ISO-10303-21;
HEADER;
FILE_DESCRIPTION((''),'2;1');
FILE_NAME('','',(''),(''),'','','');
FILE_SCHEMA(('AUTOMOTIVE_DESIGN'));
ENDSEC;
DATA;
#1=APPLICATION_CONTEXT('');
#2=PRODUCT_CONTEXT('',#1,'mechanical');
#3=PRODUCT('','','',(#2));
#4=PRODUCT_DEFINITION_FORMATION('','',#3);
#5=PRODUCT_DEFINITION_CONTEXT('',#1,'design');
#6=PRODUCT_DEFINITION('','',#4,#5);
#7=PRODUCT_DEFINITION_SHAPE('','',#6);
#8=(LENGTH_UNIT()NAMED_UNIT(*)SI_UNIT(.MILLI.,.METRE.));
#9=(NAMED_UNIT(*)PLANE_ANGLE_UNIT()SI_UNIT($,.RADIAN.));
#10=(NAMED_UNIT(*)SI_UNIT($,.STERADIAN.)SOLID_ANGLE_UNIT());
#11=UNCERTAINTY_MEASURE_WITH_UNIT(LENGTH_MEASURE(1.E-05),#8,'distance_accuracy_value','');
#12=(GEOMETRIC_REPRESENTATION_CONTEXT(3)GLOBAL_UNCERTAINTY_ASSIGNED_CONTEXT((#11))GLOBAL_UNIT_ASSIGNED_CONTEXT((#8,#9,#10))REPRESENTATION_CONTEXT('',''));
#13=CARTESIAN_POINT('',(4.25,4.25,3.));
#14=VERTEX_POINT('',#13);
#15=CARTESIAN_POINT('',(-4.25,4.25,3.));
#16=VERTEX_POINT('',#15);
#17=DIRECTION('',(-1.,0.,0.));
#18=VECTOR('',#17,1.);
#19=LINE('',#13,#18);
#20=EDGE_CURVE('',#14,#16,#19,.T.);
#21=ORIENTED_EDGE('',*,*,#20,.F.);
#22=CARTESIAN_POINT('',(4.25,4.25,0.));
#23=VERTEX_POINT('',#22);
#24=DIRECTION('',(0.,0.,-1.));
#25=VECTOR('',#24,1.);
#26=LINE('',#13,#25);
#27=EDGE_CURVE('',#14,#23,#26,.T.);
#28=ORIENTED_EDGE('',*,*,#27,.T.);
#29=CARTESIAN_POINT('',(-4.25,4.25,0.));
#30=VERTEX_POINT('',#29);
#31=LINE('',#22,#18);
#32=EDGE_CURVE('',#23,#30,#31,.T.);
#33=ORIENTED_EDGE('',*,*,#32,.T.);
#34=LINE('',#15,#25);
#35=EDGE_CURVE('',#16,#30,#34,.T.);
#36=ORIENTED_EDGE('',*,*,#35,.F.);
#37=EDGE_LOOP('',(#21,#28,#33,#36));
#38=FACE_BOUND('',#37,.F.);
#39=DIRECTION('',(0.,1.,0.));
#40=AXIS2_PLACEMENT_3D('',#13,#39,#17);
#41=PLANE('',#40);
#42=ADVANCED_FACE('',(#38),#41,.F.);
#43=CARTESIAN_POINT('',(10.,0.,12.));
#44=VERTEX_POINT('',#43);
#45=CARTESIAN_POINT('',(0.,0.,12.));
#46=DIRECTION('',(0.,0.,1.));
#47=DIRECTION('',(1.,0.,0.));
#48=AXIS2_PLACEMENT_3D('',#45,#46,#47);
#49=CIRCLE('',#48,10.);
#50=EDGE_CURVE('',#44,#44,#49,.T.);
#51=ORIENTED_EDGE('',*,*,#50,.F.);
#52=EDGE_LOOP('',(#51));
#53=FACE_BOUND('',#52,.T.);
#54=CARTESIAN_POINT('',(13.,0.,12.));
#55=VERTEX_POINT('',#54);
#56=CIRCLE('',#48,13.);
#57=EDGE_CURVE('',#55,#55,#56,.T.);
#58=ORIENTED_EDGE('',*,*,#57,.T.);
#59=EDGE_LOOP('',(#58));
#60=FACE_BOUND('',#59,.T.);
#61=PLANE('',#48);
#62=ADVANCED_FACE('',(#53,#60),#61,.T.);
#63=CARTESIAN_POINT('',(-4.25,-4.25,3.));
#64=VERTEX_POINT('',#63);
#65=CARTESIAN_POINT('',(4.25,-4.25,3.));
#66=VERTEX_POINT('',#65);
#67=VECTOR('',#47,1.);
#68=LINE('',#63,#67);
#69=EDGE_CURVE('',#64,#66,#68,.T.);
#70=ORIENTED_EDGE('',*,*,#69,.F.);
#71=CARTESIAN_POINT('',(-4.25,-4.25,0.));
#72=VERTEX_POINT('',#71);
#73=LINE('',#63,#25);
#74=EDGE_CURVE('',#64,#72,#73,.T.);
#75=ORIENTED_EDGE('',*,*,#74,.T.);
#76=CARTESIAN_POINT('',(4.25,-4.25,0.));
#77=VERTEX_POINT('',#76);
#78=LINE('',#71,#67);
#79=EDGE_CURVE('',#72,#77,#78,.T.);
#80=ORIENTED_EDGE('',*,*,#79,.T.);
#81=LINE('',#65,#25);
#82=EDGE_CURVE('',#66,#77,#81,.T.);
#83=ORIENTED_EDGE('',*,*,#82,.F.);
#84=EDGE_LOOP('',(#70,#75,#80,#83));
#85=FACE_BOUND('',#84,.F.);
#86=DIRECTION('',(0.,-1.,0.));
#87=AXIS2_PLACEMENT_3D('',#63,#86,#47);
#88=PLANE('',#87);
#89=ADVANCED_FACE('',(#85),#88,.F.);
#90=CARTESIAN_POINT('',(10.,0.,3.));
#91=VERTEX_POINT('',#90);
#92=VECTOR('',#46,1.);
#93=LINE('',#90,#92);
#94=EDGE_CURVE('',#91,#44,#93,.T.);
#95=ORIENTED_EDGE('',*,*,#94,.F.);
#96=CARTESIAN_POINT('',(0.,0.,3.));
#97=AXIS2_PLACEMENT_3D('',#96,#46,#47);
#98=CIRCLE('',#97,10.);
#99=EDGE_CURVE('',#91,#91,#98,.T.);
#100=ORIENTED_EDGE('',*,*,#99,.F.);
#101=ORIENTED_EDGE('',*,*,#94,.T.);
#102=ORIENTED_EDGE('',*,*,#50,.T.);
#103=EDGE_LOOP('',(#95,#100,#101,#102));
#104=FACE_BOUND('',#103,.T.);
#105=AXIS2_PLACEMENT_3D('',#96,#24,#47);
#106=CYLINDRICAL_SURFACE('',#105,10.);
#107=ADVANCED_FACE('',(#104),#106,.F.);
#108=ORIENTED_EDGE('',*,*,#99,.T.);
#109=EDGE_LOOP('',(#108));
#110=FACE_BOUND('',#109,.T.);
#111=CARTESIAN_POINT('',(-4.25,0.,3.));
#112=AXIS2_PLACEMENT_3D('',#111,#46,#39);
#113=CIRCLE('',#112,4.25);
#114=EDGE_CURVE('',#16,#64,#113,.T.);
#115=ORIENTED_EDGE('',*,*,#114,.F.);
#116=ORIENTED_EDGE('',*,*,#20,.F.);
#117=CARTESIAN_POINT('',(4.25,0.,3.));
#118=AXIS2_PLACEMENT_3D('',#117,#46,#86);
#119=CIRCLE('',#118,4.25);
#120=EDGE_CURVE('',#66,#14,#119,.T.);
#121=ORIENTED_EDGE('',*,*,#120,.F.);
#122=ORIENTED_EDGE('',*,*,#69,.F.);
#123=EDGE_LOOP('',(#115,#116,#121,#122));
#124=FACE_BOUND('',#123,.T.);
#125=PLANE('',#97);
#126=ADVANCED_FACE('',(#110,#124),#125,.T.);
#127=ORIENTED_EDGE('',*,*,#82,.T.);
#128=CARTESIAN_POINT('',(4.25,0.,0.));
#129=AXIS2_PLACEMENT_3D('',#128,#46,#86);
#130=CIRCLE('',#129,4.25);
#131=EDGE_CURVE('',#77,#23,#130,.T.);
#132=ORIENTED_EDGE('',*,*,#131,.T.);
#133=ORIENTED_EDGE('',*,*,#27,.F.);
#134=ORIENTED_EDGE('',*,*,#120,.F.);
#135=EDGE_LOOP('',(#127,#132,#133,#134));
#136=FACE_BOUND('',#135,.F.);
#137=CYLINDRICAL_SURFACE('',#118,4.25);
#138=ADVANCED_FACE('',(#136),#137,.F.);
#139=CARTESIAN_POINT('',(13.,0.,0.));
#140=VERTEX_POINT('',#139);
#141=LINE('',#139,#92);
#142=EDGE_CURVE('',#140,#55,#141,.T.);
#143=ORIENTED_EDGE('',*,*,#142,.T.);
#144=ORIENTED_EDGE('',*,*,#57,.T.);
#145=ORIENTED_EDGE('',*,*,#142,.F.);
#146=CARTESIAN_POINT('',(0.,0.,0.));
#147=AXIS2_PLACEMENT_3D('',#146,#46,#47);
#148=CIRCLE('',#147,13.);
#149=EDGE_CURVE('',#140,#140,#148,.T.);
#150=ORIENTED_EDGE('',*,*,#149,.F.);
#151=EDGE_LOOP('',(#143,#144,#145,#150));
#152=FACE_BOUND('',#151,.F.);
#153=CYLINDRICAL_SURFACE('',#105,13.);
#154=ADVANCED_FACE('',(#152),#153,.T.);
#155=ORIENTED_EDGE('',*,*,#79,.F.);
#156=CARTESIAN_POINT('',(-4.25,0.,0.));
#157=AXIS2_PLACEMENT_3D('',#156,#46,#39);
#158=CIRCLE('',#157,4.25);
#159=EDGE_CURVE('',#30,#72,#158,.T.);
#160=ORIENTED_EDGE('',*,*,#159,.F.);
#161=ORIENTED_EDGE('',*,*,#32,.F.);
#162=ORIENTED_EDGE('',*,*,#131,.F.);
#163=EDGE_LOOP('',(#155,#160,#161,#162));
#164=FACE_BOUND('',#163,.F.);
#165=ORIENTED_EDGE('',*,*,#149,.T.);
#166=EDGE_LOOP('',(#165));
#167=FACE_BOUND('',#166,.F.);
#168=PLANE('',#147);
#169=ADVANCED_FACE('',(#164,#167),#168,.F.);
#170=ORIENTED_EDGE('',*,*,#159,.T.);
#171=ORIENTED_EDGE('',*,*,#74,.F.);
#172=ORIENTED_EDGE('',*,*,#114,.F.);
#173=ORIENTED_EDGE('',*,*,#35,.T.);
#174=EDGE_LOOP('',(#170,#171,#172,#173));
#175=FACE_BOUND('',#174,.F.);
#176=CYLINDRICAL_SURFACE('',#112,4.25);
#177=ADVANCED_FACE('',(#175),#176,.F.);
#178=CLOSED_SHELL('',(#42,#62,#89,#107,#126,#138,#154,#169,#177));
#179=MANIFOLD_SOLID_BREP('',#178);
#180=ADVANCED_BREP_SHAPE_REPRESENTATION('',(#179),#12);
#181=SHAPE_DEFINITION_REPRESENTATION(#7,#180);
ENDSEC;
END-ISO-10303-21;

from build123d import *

# Parameters (mm, degrees)
F0_R     = 13
F1_DEPTH = 3
F3_DEPTH = 3
F4_R     = 13
F4_R_2   = 10
F5_DEPTH = 9


with BuildPart() as f1:
    # F0 (on Top) → F1 (new body)
    with BuildSketch(Plane.XY):
        Circle(F0_R)
    extrude(amount=F1_DEPTH)

    # F2 (on face) → F3 (cut)
    with BuildSketch(Plane.XY.offset(3)):
        with BuildLine():
            Line((4.25, 4.25), (-4.25, 4.25))
            ThreePointArc((-4.25, 4.25), (-8.5, 0), (-4.25, -4.25))
            Line((-4.25, -4.25), (4.25, -4.25))
            ThreePointArc((4.25, -4.25), (8.5, 0), (4.25, 4.25))
        make_face()
    extrude(amount=-F3_DEPTH, mode=Mode.SUBTRACT)

    # F4 (on face) → F5 (join)
    with BuildSketch(Plane.XY.offset(3)):
        Circle(F4_R)
        Circle(F4_R_2, mode=Mode.SUBTRACT)
    extrude(amount=F5_DEPTH)


solid = f1.part
